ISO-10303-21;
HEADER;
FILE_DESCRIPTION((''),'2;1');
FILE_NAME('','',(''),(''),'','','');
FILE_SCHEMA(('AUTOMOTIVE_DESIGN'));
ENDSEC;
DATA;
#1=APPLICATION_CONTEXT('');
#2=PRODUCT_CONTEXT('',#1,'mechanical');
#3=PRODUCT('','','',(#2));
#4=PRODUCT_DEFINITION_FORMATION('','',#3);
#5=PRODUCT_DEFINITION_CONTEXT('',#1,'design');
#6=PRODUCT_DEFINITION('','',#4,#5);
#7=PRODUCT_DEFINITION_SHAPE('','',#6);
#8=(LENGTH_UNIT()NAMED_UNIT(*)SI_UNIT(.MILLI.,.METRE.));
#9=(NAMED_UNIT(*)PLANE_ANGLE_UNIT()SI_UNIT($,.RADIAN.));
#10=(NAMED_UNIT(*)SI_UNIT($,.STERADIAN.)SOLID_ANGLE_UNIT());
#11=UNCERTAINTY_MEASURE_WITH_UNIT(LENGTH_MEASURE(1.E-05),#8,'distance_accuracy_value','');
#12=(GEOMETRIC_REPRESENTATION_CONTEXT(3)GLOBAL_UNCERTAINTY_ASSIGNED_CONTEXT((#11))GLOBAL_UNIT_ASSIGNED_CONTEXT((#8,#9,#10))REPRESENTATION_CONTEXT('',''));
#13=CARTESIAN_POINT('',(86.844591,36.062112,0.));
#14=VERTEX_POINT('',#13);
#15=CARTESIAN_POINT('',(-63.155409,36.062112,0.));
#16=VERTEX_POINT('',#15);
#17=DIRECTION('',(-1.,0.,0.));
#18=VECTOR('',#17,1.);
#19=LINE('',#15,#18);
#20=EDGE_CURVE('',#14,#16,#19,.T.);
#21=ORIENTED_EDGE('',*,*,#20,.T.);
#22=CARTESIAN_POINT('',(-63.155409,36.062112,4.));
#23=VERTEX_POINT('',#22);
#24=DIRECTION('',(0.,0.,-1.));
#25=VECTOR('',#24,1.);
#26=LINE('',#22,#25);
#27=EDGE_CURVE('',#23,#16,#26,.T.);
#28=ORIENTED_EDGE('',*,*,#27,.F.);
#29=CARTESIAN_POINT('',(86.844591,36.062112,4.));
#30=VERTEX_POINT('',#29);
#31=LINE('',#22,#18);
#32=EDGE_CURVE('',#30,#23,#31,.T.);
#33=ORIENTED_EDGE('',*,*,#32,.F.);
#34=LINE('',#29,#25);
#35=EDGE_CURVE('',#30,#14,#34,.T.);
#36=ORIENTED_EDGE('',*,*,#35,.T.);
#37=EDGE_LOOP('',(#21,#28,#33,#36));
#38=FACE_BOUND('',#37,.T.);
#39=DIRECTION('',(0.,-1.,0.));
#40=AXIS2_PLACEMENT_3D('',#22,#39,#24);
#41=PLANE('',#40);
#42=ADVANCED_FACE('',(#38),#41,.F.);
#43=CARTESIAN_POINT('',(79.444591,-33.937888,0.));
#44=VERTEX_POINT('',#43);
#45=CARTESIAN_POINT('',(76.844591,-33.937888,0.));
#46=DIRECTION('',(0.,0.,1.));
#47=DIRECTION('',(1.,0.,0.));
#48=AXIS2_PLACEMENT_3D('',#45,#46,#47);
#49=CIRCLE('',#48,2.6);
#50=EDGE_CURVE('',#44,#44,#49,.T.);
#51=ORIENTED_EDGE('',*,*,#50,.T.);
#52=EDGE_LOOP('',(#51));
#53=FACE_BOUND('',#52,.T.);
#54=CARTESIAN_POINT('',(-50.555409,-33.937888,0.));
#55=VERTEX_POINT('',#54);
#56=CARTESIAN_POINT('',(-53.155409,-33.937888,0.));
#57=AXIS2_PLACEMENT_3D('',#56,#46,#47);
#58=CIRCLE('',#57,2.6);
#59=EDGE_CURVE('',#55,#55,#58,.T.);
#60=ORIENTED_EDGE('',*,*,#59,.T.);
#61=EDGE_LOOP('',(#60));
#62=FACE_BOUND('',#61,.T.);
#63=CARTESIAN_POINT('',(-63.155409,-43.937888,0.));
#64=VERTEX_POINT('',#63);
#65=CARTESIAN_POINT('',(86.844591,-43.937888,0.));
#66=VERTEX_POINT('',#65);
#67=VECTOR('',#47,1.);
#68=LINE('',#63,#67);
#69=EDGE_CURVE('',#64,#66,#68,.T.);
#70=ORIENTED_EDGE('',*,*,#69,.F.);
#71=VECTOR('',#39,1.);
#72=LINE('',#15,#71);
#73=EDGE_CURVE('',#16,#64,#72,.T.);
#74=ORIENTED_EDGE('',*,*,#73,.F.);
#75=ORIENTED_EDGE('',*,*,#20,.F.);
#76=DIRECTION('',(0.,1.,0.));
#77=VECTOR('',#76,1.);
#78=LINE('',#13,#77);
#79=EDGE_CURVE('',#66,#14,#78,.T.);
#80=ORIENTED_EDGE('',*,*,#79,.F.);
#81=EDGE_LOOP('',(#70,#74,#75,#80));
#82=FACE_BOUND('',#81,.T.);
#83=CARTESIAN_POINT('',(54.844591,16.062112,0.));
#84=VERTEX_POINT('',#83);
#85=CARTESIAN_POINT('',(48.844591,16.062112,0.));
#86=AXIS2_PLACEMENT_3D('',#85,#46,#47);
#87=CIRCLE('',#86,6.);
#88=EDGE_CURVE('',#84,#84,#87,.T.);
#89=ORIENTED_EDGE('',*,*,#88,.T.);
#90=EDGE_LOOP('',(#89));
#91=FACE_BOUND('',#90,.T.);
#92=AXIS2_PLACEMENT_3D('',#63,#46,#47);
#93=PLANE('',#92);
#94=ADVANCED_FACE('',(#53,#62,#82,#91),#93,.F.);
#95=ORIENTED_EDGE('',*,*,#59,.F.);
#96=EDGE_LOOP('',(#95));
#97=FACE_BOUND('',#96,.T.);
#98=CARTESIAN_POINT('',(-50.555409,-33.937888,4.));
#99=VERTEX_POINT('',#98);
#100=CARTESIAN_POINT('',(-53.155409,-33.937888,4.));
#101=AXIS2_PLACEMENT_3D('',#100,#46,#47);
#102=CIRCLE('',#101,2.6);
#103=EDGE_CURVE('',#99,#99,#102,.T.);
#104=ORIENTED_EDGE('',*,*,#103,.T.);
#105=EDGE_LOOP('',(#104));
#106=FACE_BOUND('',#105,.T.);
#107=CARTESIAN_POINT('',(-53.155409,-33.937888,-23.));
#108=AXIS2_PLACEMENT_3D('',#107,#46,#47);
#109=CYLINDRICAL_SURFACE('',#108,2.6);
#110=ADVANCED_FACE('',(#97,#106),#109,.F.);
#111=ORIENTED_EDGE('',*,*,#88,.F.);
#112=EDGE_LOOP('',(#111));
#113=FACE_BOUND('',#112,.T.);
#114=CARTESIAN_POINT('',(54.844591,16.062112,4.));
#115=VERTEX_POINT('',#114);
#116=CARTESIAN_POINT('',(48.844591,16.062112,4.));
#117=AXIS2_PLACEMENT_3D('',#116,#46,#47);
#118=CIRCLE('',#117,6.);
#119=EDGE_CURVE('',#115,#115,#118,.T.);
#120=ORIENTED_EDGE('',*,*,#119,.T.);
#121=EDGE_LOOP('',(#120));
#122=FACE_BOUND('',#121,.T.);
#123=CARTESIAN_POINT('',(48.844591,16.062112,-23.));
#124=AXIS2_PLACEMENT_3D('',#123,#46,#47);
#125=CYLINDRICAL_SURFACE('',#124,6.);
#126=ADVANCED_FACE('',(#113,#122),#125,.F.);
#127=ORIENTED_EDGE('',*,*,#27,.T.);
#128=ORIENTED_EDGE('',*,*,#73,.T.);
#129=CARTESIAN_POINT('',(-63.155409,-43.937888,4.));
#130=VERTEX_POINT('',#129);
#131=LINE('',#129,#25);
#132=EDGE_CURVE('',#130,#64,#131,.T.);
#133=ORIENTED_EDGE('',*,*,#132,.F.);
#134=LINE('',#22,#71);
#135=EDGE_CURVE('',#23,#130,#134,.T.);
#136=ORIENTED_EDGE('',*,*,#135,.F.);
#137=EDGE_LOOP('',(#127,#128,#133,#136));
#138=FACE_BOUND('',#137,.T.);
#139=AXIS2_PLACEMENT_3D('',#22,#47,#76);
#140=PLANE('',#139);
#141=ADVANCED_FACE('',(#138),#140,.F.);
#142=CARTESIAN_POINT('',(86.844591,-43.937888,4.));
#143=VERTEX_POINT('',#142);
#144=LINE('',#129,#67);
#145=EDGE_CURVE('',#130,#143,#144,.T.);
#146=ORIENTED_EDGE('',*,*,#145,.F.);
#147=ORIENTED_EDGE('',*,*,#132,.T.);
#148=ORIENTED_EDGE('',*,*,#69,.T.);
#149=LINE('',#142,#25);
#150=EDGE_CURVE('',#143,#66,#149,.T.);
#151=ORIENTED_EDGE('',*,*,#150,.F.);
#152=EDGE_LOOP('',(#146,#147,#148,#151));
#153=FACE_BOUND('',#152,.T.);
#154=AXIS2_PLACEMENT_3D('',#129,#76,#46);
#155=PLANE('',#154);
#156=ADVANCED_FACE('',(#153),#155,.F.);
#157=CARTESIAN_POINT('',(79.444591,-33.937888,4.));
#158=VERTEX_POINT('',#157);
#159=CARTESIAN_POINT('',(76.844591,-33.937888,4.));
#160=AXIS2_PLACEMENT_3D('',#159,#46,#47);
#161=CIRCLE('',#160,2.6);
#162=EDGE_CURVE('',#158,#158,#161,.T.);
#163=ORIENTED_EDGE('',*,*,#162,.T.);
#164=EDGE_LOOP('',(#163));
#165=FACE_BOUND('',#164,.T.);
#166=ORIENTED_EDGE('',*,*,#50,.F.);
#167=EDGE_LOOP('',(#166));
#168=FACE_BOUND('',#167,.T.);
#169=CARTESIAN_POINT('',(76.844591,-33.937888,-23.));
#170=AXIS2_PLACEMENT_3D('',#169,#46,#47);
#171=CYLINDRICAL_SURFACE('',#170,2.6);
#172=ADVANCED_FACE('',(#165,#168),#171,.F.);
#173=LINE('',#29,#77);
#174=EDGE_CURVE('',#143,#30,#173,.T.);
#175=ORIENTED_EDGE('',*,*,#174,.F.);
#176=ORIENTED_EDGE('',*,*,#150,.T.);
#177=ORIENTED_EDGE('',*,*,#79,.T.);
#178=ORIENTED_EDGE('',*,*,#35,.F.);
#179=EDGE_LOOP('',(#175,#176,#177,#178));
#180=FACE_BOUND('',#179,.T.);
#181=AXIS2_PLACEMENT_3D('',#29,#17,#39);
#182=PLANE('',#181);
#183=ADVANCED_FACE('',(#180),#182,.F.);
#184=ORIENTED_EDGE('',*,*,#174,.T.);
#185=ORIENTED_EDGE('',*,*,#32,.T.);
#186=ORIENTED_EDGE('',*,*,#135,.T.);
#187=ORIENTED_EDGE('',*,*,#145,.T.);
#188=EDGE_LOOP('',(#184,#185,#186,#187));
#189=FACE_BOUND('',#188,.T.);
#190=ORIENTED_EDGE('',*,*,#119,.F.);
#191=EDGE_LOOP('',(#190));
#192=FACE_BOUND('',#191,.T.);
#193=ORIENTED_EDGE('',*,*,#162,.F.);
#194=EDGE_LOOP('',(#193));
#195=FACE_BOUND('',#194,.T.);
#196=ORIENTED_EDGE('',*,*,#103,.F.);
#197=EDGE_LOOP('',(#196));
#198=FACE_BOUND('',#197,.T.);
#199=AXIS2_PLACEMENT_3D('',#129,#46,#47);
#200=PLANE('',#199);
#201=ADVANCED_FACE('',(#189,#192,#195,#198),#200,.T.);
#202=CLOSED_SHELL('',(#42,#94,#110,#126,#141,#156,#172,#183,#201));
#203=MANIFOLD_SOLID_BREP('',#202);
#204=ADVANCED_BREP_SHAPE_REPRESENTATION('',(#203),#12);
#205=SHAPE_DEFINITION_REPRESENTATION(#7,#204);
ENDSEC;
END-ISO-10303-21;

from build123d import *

# Parameters (mm, degrees)
SKETCH_1_W               = 150
SKETCH_1_H               = 80
EXTRUDE_1_DEPTH          = 4
CUT_EXTRUDE_2_DEPTH      = 12
CUT_EXTRUDE_2_DEPTH_BACK = 27
SKETCH_2_R               = 6
SKETCH_2_R_2             = 2.6


with BuildPart() as part:
    # 草图1 → 凸台-拉伸1 (new body)
    with BuildSketch(Plane.XY):
        with Locations((11.84459115, -3.937887846)):
            Rectangle(SKETCH_1_W, SKETCH_1_H)
    extrude(amount=EXTRUDE_1_DEPTH)

    # 草图2 → 切除-拉伸2 (cut, two sides: drawn at the far end of the back side and taken through both)
    with BuildSketch(Plane.XY.offset(4).offset(-CUT_EXTRUDE_2_DEPTH_BACK)):
        with Locations((48.84459115, 16.062112154)):
            Circle(SKETCH_2_R)
        with Locations((-53.15540885, -33.937887846)):
            Circle(SKETCH_2_R_2)
        with Locations((76.84459115, -33.937887846)):
            Circle(SKETCH_2_R_2)
    extrude(amount=CUT_EXTRUDE_2_DEPTH + CUT_EXTRUDE_2_DEPTH_BACK, mode=Mode.SUBTRACT)


solid = part.part
